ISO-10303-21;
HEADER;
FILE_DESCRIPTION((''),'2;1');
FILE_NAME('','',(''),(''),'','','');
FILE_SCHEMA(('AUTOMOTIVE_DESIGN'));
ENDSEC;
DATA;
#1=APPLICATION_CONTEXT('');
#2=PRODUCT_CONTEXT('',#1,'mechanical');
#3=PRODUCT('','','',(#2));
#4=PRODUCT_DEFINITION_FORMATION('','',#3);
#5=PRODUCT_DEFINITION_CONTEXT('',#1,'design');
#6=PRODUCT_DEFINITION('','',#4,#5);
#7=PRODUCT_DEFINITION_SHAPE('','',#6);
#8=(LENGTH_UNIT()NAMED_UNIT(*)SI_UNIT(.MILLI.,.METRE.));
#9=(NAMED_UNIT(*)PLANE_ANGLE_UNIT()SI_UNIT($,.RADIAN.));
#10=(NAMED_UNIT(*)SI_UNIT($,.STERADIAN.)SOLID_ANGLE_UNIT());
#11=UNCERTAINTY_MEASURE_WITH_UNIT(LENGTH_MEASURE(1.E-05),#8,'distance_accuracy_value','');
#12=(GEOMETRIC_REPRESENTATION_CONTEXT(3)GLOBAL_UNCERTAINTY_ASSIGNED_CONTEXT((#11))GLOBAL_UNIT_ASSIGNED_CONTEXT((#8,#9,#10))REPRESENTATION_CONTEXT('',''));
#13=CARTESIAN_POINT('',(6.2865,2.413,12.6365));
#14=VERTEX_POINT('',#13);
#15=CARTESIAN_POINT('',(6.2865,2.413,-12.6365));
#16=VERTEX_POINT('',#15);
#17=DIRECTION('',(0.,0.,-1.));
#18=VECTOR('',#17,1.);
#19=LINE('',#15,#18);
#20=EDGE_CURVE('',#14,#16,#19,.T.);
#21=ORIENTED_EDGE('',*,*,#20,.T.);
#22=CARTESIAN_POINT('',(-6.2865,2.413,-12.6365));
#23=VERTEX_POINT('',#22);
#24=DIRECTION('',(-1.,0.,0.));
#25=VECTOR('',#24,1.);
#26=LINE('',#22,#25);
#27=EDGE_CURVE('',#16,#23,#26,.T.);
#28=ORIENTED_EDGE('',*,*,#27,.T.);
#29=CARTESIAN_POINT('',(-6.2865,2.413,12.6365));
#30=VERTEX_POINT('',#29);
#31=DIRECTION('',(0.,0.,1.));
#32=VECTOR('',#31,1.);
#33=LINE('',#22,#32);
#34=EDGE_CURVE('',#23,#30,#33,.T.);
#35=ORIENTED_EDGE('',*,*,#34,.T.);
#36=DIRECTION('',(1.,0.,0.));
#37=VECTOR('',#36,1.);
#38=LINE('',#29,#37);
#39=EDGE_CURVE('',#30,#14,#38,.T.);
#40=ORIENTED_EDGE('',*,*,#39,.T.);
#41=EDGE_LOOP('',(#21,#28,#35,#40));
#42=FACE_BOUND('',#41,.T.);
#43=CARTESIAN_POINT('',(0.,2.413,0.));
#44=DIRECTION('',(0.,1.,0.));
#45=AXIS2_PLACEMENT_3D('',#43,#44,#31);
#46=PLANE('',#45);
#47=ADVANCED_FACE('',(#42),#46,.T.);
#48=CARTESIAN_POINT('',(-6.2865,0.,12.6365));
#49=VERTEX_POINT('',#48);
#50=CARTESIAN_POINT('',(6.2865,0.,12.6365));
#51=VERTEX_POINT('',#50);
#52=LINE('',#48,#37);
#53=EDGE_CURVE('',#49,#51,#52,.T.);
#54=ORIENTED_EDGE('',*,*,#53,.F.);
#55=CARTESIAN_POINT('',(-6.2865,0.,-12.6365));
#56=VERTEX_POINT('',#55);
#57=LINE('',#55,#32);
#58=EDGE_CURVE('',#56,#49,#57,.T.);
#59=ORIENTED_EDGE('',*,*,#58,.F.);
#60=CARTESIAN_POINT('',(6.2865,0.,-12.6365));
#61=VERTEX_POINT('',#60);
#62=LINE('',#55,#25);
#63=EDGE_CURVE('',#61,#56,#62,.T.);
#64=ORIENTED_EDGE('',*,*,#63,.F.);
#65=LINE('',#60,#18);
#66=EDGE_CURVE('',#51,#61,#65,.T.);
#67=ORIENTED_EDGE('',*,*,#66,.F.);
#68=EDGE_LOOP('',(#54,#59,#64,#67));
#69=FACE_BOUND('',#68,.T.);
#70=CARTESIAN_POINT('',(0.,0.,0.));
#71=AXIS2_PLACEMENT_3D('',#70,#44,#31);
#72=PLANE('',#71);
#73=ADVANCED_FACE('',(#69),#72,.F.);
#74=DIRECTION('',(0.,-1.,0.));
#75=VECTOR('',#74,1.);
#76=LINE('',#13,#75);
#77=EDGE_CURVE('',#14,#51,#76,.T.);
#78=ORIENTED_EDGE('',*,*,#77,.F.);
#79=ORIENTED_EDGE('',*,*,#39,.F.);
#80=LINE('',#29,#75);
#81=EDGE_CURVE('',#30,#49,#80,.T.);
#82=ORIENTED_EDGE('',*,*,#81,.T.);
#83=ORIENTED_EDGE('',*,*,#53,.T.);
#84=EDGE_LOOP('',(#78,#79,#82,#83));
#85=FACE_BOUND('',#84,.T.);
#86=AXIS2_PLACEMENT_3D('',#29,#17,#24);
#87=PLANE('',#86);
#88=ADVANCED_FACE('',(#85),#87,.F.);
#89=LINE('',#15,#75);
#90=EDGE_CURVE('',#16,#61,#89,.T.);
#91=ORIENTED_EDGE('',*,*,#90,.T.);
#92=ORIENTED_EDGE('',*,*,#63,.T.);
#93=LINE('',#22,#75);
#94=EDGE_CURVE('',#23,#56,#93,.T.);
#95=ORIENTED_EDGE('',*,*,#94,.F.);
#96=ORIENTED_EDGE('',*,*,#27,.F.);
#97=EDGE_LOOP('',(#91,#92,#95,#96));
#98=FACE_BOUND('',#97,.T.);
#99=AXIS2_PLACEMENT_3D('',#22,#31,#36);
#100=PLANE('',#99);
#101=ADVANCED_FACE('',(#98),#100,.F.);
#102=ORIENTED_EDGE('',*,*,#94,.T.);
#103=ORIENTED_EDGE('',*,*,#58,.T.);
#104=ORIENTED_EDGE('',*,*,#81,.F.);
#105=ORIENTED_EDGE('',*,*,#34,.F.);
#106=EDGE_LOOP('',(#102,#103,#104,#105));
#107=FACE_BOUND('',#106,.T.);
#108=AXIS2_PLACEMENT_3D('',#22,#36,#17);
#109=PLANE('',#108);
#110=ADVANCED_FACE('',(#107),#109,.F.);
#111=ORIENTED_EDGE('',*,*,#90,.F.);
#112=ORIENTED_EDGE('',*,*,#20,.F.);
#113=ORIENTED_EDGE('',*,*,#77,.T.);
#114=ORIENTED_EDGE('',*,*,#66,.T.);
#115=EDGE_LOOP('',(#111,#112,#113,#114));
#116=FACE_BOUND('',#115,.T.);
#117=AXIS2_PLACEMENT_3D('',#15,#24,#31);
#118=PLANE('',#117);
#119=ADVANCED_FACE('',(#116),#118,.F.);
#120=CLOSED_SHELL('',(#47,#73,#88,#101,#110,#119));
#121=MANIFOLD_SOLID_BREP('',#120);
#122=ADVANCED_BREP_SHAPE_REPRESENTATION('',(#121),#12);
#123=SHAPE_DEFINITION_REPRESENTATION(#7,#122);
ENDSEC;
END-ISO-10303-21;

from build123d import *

# Parameters (mm, degrees)
SKETCH1_W           = 12.573
SKETCH1_H           = 25.273
BOSS_EXTRUDE1_DEPTH = 2.413


with BuildPart() as part:
    # Sketch1 → Boss-Extrude1 (new body)
    with BuildSketch(Plane(origin=(0, 0, 0), x_dir=(1, 0, 0), z_dir=(0, 1, 0))):
        Rectangle(SKETCH1_W, SKETCH1_H)
    extrude(amount=BOSS_EXTRUDE1_DEPTH)


solid = part.part
